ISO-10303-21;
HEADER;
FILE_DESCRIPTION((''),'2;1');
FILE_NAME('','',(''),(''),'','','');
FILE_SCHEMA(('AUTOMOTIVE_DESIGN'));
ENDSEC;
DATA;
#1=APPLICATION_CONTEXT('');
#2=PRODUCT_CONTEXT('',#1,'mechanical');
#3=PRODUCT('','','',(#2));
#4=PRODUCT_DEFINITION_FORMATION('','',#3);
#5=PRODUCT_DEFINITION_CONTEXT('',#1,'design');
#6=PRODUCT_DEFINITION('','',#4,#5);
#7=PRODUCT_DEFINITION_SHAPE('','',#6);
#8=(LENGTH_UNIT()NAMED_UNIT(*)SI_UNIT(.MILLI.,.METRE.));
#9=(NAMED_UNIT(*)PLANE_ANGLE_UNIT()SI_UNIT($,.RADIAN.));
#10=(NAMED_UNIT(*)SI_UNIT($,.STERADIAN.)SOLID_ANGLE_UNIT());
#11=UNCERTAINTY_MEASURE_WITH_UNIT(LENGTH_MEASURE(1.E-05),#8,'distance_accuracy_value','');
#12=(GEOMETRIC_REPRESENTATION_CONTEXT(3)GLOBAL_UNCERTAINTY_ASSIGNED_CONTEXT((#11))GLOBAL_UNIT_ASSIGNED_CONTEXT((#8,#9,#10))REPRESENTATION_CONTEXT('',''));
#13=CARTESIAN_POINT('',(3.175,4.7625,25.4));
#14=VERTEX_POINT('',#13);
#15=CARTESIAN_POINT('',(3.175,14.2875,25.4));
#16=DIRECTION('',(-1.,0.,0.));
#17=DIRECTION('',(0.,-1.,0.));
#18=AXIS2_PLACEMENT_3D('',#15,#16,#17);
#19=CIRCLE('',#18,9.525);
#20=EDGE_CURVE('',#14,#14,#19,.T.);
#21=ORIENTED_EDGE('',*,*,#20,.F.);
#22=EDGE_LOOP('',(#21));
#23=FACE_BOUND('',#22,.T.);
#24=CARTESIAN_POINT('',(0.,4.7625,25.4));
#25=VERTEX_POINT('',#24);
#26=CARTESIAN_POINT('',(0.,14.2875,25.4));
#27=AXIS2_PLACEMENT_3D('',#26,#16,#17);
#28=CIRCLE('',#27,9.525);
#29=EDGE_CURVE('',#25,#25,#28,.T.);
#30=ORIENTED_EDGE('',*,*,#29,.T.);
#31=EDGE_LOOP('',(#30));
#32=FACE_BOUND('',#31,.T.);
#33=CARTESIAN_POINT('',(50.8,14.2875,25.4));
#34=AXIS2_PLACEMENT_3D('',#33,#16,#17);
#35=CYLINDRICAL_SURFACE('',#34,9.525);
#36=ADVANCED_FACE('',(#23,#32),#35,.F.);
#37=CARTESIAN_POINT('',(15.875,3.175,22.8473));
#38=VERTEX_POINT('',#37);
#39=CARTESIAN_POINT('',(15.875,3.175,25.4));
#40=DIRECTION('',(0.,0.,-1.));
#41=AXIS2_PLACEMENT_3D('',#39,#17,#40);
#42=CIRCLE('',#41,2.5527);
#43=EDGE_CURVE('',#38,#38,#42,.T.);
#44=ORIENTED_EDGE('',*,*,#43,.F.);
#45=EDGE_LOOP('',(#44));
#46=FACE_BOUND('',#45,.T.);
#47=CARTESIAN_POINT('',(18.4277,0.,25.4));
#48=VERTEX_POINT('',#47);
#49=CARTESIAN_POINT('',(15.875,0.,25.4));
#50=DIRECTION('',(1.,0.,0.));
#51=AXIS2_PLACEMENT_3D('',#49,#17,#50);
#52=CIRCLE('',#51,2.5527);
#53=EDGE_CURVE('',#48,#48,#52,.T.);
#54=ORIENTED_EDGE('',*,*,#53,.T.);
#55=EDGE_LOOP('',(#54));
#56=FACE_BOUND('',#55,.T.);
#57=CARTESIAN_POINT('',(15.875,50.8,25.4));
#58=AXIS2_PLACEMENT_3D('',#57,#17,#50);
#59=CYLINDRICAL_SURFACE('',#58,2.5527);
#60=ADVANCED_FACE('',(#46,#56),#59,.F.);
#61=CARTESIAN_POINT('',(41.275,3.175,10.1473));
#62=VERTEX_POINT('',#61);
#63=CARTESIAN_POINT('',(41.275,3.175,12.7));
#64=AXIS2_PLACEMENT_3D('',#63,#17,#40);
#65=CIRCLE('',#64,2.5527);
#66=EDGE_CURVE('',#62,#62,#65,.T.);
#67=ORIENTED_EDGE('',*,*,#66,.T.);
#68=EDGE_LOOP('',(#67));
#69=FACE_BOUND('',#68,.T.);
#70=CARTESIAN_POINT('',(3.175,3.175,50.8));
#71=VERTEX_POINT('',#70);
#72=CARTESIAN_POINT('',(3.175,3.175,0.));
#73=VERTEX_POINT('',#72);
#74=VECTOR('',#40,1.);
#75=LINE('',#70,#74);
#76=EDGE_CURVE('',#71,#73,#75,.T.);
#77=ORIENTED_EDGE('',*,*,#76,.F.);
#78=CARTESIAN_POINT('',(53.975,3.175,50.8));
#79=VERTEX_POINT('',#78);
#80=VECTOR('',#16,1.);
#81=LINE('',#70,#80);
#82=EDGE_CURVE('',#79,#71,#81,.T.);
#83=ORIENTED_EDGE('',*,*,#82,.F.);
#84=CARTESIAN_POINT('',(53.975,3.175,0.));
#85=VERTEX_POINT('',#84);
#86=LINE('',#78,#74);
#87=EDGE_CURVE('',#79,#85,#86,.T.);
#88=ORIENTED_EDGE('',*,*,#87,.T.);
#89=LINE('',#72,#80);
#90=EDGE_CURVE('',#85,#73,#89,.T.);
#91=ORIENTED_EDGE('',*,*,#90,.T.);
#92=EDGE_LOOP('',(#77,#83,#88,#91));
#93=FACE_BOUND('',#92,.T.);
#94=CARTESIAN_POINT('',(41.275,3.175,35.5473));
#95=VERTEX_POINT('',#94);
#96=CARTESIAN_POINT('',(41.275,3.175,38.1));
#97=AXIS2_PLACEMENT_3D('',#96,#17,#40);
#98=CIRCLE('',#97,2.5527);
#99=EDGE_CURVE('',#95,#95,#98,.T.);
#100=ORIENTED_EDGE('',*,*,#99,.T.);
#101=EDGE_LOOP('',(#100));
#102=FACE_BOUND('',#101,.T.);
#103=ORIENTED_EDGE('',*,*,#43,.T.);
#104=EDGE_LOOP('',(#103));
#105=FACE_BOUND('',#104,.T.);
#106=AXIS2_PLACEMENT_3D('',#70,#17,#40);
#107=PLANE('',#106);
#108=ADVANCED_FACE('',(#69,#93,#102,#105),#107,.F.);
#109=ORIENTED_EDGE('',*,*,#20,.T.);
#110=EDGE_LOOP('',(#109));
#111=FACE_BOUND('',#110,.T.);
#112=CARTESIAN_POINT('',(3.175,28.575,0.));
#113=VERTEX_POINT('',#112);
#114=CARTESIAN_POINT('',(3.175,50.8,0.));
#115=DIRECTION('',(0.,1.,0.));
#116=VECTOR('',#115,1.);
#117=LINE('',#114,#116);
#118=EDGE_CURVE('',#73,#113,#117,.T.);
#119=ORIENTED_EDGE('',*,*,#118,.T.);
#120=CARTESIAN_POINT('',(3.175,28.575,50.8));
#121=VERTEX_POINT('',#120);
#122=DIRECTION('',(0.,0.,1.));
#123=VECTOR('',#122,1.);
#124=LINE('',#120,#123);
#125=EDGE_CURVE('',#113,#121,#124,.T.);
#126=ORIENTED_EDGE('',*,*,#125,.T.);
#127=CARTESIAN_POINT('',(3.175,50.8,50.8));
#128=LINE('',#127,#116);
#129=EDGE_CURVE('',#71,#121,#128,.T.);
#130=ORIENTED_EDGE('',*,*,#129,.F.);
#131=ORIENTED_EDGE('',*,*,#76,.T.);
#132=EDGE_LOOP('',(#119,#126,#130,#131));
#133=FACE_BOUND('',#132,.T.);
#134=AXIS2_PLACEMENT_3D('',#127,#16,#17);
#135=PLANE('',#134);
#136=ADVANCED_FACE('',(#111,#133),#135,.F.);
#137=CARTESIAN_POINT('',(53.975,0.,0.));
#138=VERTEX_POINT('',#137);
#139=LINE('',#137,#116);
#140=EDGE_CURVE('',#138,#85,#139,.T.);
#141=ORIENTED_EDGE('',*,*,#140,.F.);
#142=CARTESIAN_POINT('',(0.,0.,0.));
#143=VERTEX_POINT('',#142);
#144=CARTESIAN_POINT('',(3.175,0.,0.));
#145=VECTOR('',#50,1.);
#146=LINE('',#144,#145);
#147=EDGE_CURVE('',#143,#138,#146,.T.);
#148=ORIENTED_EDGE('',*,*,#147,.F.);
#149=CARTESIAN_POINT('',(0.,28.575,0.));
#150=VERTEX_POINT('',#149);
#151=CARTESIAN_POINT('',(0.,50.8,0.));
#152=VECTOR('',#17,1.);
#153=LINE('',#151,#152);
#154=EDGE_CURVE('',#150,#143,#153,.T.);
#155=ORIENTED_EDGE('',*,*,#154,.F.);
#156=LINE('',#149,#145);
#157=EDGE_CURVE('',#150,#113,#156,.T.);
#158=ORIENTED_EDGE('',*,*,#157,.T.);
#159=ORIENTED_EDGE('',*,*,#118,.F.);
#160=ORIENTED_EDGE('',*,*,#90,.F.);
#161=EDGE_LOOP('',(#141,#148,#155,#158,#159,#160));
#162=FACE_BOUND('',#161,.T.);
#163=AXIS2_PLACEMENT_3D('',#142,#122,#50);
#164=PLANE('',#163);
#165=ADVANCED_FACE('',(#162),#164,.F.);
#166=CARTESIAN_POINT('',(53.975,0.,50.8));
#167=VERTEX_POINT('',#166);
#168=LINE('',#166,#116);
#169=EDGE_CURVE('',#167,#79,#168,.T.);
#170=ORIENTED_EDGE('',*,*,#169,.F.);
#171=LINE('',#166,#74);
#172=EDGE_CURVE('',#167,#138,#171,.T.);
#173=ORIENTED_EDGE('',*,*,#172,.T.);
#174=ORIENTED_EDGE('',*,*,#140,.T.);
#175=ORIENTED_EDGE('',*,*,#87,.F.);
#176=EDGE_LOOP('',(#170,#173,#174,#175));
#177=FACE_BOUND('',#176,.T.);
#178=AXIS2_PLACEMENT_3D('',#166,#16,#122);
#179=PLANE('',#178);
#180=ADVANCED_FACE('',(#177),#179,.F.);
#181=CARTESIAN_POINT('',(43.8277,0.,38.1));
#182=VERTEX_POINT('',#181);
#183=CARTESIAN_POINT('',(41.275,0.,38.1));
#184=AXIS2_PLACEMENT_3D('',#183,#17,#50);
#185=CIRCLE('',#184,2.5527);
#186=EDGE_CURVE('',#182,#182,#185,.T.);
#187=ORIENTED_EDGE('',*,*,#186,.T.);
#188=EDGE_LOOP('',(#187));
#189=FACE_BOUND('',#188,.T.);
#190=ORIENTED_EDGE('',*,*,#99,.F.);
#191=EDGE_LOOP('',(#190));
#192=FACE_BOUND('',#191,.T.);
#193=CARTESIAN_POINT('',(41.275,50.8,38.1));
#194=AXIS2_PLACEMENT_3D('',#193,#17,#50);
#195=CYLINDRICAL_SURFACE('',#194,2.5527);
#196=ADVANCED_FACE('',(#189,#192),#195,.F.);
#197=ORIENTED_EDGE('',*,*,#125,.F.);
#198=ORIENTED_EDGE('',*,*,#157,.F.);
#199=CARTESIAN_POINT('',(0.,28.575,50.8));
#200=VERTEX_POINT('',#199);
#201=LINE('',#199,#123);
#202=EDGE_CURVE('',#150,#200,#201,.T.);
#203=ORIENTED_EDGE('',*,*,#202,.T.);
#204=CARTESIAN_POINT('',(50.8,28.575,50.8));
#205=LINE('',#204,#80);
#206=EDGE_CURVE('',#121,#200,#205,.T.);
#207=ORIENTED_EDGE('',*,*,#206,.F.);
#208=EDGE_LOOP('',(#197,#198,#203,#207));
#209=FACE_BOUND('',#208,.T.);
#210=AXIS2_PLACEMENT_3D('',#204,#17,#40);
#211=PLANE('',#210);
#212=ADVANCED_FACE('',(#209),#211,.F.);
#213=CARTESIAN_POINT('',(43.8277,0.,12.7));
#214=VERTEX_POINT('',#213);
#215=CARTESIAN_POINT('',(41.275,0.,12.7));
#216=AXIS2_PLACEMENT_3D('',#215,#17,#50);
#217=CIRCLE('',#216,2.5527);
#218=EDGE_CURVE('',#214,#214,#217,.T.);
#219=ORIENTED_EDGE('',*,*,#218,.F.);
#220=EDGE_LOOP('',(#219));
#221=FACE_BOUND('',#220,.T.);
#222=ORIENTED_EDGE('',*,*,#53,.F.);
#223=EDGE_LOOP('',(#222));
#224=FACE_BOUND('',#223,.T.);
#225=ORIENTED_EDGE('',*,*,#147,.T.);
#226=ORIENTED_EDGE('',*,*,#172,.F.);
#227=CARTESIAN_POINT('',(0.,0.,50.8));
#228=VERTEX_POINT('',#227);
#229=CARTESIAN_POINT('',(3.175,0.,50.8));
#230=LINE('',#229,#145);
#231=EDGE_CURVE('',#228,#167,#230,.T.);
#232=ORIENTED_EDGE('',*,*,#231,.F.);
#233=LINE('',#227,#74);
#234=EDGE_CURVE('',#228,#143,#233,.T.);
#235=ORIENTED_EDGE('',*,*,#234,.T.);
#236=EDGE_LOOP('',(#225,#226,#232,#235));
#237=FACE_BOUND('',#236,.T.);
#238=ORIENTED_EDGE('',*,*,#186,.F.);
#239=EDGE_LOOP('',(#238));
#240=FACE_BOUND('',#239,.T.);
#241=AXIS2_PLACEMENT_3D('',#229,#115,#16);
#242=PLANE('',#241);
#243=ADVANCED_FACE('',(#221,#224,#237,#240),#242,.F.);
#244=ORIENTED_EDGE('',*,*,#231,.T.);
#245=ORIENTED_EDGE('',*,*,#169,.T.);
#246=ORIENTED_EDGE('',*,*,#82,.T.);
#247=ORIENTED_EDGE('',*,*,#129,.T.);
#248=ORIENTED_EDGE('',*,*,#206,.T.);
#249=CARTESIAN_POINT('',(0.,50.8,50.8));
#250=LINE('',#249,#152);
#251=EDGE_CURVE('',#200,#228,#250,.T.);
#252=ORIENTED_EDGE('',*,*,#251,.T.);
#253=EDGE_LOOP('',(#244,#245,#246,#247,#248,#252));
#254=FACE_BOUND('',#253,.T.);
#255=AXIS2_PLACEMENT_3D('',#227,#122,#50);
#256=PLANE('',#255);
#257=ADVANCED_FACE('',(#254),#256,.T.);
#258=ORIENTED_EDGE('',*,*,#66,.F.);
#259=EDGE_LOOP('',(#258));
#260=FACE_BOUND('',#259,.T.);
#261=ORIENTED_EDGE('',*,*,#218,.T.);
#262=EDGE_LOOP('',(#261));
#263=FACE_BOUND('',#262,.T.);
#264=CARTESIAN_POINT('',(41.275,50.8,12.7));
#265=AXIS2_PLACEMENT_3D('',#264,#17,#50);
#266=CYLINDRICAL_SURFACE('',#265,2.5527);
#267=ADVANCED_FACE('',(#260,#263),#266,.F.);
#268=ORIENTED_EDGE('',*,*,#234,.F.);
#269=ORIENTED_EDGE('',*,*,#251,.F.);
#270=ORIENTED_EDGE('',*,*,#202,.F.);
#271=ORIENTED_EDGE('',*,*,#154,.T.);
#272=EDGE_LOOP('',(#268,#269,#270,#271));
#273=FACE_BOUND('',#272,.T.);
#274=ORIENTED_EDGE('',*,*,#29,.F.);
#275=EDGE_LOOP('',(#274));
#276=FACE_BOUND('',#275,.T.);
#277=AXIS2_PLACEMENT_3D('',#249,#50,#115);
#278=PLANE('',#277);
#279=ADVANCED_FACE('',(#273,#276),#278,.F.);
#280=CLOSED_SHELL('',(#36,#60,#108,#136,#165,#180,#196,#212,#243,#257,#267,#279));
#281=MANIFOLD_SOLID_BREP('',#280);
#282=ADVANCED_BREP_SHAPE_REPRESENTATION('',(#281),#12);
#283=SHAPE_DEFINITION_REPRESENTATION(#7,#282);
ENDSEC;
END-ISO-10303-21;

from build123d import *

# Parameters (mm, degrees)
BOSS_EXTRUDE1_DEPTH = 50.8
SKETCH2_R           = 9.525
SKETCH2_W           = 50.8
SKETCH2_H           = 22.225
CUT_EXTRUDE1_DEPTH  = 50.8
SKETCH3_R           = 2.5527
CUT_EXTRUDE2_DEPTH  = 50.8


with BuildPart() as part:
    # Sketch1 → Boss-Extrude1 (new body)
    with BuildSketch(Plane.XY):
        Polygon((3.175, 50.8), (0, 50.8), (0, 0), (3.175, 0), (53.975, 0), (53.975, 3.175), (3.175, 3.175), align=None)
    extrude(amount=BOSS_EXTRUDE1_DEPTH)

    # Sketch2 → Cut-Extrude1 (cut)
    with BuildSketch(Plane.ZY):
        with Locations((25.4, 14.2875)):
            Circle(SKETCH2_R)
        with Locations((25.4, 39.6875)):
            Rectangle(SKETCH2_W, SKETCH2_H)
    extrude(amount=-CUT_EXTRUDE1_DEPTH, mode=Mode.SUBTRACT)

    # Sketch3 → Cut-Extrude2 (cut)
    with BuildSketch(Plane(origin=(0, 0, 0), x_dir=(-1, 0, 0), z_dir=(0, -1, 0))):
        with Locations((-15.875, -25.4)):
            Circle(SKETCH3_R)
        with Locations((-41.275, -38.1)):
            Circle(SKETCH3_R)
        with Locations((-41.275, -12.7)):
            Circle(SKETCH3_R)
    extrude(amount=-CUT_EXTRUDE2_DEPTH, mode=Mode.SUBTRACT)


solid = part.part
